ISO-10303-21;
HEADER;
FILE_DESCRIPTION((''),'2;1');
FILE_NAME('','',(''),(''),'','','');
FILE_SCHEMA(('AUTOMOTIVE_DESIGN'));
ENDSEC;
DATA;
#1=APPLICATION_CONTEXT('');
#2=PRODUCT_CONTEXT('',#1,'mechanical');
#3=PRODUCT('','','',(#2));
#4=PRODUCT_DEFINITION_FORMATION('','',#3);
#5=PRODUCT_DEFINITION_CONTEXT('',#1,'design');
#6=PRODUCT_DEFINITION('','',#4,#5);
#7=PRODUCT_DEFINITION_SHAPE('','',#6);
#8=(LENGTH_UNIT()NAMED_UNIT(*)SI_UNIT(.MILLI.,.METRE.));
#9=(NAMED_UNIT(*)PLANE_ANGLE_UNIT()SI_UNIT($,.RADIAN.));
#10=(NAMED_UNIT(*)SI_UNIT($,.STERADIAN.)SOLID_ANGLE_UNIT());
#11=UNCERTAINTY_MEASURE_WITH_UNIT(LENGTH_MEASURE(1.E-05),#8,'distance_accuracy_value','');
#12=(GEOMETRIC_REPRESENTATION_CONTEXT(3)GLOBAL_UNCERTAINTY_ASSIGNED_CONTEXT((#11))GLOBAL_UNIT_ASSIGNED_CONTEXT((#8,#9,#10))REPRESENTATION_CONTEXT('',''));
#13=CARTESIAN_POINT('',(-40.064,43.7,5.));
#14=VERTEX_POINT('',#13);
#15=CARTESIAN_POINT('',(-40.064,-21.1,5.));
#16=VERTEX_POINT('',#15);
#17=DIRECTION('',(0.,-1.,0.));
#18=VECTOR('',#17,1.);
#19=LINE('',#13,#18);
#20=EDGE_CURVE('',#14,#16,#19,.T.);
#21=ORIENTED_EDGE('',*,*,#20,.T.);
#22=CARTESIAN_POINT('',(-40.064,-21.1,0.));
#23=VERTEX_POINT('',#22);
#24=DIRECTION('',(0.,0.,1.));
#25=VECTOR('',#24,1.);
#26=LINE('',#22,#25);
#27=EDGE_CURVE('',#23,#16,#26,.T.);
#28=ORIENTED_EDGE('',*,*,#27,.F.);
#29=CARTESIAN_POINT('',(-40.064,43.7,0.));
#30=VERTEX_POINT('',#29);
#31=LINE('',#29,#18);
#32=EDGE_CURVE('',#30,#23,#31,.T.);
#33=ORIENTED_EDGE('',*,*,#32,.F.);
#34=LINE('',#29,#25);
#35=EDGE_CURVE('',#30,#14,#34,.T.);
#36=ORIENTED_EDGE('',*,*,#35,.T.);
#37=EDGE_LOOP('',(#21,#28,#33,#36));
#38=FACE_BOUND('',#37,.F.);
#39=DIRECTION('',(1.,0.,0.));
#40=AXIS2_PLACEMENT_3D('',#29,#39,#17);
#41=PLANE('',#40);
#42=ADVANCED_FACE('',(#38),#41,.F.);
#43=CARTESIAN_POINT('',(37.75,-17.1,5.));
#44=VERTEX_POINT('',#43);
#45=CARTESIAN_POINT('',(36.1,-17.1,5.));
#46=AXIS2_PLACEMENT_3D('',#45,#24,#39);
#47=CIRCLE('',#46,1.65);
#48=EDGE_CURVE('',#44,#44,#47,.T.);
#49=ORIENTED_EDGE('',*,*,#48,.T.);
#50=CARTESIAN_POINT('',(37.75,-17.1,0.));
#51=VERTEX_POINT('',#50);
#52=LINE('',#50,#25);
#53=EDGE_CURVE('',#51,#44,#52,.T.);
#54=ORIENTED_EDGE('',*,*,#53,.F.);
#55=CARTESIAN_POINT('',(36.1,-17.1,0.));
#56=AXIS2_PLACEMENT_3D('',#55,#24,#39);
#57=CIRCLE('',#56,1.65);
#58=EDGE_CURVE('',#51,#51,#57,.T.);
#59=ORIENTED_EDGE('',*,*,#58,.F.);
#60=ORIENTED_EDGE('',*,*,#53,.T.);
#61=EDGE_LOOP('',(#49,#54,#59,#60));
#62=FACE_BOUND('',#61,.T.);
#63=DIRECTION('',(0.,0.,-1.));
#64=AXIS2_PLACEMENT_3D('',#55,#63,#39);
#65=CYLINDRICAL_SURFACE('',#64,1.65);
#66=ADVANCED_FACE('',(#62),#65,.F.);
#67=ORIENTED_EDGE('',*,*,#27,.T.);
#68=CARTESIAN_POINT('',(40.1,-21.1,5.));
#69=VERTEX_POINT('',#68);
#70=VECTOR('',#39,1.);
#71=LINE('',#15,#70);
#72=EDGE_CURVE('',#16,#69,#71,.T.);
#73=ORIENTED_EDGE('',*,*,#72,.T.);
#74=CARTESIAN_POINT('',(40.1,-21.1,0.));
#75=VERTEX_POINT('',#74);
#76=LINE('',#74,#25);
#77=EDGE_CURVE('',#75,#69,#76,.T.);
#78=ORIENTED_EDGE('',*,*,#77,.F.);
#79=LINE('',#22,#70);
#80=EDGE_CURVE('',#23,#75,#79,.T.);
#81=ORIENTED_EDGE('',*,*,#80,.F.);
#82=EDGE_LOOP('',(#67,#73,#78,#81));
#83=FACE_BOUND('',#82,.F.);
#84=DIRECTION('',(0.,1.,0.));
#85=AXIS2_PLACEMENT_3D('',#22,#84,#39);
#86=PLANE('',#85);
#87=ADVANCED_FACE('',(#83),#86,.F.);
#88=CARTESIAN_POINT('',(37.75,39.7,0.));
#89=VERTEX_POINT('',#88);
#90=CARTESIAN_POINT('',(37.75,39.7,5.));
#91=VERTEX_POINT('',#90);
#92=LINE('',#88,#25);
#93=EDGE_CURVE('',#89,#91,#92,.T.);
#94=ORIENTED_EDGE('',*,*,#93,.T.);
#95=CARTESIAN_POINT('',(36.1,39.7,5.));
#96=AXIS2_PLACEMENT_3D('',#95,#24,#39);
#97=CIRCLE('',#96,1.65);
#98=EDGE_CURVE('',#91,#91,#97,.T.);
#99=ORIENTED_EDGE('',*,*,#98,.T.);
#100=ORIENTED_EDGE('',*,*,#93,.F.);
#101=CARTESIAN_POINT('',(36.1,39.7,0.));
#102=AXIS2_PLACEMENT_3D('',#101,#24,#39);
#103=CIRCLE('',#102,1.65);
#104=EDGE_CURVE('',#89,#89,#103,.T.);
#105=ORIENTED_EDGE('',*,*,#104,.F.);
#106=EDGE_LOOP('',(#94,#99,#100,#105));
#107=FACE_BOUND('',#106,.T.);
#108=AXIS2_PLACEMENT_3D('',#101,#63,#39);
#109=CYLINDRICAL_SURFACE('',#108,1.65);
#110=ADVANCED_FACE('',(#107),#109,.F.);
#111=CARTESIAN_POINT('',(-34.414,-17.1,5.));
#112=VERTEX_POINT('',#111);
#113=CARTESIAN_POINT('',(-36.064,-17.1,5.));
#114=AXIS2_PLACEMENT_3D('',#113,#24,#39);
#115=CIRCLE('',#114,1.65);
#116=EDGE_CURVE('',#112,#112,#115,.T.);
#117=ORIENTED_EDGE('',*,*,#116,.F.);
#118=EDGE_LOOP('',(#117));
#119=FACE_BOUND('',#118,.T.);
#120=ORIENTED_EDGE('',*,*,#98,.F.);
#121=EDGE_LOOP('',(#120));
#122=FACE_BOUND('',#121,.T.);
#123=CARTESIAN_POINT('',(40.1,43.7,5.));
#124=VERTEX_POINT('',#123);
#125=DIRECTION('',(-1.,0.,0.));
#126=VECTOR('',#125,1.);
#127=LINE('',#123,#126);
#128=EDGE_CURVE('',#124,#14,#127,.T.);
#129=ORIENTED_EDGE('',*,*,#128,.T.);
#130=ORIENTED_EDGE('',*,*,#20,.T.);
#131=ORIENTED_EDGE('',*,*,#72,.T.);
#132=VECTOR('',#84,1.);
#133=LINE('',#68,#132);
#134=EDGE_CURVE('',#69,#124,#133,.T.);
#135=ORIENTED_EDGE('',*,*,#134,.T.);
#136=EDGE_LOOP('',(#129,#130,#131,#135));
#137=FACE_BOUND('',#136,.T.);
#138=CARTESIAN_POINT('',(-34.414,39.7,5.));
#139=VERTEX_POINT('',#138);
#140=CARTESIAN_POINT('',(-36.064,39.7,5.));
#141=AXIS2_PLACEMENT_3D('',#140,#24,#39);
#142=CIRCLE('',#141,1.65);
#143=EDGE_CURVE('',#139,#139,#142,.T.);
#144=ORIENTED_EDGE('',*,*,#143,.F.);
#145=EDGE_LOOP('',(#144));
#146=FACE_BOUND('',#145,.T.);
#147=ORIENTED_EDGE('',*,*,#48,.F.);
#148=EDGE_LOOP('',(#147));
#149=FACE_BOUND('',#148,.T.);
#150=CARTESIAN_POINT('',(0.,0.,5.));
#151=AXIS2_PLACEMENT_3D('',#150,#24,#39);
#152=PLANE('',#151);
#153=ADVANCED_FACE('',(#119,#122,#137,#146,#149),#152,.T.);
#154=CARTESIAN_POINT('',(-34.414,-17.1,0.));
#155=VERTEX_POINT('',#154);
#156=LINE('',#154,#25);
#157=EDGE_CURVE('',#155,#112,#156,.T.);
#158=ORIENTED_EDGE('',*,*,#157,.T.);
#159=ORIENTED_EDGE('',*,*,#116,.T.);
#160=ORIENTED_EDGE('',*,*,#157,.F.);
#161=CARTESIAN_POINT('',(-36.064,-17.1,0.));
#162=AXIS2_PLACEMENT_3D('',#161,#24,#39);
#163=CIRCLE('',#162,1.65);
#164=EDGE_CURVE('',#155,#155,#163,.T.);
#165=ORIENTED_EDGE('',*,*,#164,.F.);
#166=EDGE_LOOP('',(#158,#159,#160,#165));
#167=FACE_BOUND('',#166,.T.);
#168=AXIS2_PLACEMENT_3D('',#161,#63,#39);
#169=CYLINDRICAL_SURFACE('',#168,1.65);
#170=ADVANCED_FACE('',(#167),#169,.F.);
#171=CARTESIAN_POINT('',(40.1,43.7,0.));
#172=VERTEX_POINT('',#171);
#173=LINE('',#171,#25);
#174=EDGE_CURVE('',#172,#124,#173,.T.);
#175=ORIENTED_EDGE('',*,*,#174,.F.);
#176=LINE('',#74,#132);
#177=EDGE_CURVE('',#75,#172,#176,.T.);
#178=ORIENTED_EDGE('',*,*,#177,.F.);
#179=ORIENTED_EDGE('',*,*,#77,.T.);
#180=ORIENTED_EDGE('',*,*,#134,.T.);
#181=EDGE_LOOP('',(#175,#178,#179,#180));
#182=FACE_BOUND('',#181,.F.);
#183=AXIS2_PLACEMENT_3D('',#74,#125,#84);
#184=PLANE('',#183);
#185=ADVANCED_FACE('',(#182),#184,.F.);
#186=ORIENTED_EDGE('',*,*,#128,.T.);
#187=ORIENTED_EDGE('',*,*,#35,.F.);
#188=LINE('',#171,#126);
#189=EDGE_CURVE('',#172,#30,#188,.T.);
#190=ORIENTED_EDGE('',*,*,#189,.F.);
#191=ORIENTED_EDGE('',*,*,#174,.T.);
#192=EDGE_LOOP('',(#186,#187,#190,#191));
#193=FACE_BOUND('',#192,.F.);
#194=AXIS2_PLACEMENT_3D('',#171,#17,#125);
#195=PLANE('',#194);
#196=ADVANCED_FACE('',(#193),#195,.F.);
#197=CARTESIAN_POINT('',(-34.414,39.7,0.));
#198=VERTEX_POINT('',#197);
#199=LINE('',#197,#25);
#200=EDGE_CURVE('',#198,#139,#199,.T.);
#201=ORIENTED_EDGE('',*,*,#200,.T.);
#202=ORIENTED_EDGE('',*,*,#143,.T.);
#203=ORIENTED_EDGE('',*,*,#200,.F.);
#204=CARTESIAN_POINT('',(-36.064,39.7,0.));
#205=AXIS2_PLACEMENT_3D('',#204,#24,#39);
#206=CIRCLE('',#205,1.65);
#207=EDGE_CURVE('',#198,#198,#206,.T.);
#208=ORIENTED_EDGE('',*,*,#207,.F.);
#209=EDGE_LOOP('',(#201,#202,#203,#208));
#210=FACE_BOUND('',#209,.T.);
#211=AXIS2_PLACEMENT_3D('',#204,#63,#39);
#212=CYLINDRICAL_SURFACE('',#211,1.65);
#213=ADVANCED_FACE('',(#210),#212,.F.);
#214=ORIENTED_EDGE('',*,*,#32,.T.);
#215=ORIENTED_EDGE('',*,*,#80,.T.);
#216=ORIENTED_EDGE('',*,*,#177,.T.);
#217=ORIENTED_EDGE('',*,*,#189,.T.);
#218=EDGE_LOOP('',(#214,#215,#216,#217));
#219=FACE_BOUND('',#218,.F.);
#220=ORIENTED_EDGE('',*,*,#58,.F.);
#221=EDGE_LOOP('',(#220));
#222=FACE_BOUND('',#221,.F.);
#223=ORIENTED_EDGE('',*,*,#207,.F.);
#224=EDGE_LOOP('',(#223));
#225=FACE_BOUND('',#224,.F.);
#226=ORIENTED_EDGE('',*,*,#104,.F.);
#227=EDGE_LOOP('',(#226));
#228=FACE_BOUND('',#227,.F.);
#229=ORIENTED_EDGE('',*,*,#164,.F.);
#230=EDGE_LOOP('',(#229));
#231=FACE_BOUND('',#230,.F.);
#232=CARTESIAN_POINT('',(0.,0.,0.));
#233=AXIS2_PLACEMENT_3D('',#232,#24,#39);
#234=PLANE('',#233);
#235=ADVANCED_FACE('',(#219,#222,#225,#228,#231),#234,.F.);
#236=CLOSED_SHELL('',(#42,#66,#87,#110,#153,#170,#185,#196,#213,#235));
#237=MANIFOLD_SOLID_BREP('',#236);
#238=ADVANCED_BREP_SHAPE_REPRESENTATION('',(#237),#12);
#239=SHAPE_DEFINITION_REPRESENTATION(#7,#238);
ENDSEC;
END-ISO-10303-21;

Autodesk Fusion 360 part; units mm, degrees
sketch "Sketch1" plane through (0, 0, 0) normal (0, 0, 1) x (1, 0, 0)
  circle A0 centre (36.1, -17.1) radius 1.65
  line L0 (-40.064, 43.7) -> (-40.064, -21.1)
  circle A1 centre (36.1, -17.1) radius 1.65
  circle A2 centre (-36.064, 39.7) radius 1.65
  line L1 (-40.064, -21.1) -> (40.1, -21.1)
  circle A3 centre (36.1, 39.7) radius 1.65
  circle A4 centre (-36.064, -17.1) radius 1.65
  line L2 (40.1, -21.1) -> (40.1, 43.7)
  circle A5 centre (-36.064, 39.7) radius 1.65
  line L3 (-40.064, -21.1) -> (-40.064, 43.7)
  circle A6 centre (36.1, 39.7) radius 1.65
  circle A7 centre (-36.064, -17.1) radius 1.65
  line L4 (40.1, 43.7) -> (40.1, -21.1)
  line L5 (40.1, 43.7) -> (-40.064, 43.7)
extrude "Extrude1" add sketch "Sketch1" along normal blind 5
